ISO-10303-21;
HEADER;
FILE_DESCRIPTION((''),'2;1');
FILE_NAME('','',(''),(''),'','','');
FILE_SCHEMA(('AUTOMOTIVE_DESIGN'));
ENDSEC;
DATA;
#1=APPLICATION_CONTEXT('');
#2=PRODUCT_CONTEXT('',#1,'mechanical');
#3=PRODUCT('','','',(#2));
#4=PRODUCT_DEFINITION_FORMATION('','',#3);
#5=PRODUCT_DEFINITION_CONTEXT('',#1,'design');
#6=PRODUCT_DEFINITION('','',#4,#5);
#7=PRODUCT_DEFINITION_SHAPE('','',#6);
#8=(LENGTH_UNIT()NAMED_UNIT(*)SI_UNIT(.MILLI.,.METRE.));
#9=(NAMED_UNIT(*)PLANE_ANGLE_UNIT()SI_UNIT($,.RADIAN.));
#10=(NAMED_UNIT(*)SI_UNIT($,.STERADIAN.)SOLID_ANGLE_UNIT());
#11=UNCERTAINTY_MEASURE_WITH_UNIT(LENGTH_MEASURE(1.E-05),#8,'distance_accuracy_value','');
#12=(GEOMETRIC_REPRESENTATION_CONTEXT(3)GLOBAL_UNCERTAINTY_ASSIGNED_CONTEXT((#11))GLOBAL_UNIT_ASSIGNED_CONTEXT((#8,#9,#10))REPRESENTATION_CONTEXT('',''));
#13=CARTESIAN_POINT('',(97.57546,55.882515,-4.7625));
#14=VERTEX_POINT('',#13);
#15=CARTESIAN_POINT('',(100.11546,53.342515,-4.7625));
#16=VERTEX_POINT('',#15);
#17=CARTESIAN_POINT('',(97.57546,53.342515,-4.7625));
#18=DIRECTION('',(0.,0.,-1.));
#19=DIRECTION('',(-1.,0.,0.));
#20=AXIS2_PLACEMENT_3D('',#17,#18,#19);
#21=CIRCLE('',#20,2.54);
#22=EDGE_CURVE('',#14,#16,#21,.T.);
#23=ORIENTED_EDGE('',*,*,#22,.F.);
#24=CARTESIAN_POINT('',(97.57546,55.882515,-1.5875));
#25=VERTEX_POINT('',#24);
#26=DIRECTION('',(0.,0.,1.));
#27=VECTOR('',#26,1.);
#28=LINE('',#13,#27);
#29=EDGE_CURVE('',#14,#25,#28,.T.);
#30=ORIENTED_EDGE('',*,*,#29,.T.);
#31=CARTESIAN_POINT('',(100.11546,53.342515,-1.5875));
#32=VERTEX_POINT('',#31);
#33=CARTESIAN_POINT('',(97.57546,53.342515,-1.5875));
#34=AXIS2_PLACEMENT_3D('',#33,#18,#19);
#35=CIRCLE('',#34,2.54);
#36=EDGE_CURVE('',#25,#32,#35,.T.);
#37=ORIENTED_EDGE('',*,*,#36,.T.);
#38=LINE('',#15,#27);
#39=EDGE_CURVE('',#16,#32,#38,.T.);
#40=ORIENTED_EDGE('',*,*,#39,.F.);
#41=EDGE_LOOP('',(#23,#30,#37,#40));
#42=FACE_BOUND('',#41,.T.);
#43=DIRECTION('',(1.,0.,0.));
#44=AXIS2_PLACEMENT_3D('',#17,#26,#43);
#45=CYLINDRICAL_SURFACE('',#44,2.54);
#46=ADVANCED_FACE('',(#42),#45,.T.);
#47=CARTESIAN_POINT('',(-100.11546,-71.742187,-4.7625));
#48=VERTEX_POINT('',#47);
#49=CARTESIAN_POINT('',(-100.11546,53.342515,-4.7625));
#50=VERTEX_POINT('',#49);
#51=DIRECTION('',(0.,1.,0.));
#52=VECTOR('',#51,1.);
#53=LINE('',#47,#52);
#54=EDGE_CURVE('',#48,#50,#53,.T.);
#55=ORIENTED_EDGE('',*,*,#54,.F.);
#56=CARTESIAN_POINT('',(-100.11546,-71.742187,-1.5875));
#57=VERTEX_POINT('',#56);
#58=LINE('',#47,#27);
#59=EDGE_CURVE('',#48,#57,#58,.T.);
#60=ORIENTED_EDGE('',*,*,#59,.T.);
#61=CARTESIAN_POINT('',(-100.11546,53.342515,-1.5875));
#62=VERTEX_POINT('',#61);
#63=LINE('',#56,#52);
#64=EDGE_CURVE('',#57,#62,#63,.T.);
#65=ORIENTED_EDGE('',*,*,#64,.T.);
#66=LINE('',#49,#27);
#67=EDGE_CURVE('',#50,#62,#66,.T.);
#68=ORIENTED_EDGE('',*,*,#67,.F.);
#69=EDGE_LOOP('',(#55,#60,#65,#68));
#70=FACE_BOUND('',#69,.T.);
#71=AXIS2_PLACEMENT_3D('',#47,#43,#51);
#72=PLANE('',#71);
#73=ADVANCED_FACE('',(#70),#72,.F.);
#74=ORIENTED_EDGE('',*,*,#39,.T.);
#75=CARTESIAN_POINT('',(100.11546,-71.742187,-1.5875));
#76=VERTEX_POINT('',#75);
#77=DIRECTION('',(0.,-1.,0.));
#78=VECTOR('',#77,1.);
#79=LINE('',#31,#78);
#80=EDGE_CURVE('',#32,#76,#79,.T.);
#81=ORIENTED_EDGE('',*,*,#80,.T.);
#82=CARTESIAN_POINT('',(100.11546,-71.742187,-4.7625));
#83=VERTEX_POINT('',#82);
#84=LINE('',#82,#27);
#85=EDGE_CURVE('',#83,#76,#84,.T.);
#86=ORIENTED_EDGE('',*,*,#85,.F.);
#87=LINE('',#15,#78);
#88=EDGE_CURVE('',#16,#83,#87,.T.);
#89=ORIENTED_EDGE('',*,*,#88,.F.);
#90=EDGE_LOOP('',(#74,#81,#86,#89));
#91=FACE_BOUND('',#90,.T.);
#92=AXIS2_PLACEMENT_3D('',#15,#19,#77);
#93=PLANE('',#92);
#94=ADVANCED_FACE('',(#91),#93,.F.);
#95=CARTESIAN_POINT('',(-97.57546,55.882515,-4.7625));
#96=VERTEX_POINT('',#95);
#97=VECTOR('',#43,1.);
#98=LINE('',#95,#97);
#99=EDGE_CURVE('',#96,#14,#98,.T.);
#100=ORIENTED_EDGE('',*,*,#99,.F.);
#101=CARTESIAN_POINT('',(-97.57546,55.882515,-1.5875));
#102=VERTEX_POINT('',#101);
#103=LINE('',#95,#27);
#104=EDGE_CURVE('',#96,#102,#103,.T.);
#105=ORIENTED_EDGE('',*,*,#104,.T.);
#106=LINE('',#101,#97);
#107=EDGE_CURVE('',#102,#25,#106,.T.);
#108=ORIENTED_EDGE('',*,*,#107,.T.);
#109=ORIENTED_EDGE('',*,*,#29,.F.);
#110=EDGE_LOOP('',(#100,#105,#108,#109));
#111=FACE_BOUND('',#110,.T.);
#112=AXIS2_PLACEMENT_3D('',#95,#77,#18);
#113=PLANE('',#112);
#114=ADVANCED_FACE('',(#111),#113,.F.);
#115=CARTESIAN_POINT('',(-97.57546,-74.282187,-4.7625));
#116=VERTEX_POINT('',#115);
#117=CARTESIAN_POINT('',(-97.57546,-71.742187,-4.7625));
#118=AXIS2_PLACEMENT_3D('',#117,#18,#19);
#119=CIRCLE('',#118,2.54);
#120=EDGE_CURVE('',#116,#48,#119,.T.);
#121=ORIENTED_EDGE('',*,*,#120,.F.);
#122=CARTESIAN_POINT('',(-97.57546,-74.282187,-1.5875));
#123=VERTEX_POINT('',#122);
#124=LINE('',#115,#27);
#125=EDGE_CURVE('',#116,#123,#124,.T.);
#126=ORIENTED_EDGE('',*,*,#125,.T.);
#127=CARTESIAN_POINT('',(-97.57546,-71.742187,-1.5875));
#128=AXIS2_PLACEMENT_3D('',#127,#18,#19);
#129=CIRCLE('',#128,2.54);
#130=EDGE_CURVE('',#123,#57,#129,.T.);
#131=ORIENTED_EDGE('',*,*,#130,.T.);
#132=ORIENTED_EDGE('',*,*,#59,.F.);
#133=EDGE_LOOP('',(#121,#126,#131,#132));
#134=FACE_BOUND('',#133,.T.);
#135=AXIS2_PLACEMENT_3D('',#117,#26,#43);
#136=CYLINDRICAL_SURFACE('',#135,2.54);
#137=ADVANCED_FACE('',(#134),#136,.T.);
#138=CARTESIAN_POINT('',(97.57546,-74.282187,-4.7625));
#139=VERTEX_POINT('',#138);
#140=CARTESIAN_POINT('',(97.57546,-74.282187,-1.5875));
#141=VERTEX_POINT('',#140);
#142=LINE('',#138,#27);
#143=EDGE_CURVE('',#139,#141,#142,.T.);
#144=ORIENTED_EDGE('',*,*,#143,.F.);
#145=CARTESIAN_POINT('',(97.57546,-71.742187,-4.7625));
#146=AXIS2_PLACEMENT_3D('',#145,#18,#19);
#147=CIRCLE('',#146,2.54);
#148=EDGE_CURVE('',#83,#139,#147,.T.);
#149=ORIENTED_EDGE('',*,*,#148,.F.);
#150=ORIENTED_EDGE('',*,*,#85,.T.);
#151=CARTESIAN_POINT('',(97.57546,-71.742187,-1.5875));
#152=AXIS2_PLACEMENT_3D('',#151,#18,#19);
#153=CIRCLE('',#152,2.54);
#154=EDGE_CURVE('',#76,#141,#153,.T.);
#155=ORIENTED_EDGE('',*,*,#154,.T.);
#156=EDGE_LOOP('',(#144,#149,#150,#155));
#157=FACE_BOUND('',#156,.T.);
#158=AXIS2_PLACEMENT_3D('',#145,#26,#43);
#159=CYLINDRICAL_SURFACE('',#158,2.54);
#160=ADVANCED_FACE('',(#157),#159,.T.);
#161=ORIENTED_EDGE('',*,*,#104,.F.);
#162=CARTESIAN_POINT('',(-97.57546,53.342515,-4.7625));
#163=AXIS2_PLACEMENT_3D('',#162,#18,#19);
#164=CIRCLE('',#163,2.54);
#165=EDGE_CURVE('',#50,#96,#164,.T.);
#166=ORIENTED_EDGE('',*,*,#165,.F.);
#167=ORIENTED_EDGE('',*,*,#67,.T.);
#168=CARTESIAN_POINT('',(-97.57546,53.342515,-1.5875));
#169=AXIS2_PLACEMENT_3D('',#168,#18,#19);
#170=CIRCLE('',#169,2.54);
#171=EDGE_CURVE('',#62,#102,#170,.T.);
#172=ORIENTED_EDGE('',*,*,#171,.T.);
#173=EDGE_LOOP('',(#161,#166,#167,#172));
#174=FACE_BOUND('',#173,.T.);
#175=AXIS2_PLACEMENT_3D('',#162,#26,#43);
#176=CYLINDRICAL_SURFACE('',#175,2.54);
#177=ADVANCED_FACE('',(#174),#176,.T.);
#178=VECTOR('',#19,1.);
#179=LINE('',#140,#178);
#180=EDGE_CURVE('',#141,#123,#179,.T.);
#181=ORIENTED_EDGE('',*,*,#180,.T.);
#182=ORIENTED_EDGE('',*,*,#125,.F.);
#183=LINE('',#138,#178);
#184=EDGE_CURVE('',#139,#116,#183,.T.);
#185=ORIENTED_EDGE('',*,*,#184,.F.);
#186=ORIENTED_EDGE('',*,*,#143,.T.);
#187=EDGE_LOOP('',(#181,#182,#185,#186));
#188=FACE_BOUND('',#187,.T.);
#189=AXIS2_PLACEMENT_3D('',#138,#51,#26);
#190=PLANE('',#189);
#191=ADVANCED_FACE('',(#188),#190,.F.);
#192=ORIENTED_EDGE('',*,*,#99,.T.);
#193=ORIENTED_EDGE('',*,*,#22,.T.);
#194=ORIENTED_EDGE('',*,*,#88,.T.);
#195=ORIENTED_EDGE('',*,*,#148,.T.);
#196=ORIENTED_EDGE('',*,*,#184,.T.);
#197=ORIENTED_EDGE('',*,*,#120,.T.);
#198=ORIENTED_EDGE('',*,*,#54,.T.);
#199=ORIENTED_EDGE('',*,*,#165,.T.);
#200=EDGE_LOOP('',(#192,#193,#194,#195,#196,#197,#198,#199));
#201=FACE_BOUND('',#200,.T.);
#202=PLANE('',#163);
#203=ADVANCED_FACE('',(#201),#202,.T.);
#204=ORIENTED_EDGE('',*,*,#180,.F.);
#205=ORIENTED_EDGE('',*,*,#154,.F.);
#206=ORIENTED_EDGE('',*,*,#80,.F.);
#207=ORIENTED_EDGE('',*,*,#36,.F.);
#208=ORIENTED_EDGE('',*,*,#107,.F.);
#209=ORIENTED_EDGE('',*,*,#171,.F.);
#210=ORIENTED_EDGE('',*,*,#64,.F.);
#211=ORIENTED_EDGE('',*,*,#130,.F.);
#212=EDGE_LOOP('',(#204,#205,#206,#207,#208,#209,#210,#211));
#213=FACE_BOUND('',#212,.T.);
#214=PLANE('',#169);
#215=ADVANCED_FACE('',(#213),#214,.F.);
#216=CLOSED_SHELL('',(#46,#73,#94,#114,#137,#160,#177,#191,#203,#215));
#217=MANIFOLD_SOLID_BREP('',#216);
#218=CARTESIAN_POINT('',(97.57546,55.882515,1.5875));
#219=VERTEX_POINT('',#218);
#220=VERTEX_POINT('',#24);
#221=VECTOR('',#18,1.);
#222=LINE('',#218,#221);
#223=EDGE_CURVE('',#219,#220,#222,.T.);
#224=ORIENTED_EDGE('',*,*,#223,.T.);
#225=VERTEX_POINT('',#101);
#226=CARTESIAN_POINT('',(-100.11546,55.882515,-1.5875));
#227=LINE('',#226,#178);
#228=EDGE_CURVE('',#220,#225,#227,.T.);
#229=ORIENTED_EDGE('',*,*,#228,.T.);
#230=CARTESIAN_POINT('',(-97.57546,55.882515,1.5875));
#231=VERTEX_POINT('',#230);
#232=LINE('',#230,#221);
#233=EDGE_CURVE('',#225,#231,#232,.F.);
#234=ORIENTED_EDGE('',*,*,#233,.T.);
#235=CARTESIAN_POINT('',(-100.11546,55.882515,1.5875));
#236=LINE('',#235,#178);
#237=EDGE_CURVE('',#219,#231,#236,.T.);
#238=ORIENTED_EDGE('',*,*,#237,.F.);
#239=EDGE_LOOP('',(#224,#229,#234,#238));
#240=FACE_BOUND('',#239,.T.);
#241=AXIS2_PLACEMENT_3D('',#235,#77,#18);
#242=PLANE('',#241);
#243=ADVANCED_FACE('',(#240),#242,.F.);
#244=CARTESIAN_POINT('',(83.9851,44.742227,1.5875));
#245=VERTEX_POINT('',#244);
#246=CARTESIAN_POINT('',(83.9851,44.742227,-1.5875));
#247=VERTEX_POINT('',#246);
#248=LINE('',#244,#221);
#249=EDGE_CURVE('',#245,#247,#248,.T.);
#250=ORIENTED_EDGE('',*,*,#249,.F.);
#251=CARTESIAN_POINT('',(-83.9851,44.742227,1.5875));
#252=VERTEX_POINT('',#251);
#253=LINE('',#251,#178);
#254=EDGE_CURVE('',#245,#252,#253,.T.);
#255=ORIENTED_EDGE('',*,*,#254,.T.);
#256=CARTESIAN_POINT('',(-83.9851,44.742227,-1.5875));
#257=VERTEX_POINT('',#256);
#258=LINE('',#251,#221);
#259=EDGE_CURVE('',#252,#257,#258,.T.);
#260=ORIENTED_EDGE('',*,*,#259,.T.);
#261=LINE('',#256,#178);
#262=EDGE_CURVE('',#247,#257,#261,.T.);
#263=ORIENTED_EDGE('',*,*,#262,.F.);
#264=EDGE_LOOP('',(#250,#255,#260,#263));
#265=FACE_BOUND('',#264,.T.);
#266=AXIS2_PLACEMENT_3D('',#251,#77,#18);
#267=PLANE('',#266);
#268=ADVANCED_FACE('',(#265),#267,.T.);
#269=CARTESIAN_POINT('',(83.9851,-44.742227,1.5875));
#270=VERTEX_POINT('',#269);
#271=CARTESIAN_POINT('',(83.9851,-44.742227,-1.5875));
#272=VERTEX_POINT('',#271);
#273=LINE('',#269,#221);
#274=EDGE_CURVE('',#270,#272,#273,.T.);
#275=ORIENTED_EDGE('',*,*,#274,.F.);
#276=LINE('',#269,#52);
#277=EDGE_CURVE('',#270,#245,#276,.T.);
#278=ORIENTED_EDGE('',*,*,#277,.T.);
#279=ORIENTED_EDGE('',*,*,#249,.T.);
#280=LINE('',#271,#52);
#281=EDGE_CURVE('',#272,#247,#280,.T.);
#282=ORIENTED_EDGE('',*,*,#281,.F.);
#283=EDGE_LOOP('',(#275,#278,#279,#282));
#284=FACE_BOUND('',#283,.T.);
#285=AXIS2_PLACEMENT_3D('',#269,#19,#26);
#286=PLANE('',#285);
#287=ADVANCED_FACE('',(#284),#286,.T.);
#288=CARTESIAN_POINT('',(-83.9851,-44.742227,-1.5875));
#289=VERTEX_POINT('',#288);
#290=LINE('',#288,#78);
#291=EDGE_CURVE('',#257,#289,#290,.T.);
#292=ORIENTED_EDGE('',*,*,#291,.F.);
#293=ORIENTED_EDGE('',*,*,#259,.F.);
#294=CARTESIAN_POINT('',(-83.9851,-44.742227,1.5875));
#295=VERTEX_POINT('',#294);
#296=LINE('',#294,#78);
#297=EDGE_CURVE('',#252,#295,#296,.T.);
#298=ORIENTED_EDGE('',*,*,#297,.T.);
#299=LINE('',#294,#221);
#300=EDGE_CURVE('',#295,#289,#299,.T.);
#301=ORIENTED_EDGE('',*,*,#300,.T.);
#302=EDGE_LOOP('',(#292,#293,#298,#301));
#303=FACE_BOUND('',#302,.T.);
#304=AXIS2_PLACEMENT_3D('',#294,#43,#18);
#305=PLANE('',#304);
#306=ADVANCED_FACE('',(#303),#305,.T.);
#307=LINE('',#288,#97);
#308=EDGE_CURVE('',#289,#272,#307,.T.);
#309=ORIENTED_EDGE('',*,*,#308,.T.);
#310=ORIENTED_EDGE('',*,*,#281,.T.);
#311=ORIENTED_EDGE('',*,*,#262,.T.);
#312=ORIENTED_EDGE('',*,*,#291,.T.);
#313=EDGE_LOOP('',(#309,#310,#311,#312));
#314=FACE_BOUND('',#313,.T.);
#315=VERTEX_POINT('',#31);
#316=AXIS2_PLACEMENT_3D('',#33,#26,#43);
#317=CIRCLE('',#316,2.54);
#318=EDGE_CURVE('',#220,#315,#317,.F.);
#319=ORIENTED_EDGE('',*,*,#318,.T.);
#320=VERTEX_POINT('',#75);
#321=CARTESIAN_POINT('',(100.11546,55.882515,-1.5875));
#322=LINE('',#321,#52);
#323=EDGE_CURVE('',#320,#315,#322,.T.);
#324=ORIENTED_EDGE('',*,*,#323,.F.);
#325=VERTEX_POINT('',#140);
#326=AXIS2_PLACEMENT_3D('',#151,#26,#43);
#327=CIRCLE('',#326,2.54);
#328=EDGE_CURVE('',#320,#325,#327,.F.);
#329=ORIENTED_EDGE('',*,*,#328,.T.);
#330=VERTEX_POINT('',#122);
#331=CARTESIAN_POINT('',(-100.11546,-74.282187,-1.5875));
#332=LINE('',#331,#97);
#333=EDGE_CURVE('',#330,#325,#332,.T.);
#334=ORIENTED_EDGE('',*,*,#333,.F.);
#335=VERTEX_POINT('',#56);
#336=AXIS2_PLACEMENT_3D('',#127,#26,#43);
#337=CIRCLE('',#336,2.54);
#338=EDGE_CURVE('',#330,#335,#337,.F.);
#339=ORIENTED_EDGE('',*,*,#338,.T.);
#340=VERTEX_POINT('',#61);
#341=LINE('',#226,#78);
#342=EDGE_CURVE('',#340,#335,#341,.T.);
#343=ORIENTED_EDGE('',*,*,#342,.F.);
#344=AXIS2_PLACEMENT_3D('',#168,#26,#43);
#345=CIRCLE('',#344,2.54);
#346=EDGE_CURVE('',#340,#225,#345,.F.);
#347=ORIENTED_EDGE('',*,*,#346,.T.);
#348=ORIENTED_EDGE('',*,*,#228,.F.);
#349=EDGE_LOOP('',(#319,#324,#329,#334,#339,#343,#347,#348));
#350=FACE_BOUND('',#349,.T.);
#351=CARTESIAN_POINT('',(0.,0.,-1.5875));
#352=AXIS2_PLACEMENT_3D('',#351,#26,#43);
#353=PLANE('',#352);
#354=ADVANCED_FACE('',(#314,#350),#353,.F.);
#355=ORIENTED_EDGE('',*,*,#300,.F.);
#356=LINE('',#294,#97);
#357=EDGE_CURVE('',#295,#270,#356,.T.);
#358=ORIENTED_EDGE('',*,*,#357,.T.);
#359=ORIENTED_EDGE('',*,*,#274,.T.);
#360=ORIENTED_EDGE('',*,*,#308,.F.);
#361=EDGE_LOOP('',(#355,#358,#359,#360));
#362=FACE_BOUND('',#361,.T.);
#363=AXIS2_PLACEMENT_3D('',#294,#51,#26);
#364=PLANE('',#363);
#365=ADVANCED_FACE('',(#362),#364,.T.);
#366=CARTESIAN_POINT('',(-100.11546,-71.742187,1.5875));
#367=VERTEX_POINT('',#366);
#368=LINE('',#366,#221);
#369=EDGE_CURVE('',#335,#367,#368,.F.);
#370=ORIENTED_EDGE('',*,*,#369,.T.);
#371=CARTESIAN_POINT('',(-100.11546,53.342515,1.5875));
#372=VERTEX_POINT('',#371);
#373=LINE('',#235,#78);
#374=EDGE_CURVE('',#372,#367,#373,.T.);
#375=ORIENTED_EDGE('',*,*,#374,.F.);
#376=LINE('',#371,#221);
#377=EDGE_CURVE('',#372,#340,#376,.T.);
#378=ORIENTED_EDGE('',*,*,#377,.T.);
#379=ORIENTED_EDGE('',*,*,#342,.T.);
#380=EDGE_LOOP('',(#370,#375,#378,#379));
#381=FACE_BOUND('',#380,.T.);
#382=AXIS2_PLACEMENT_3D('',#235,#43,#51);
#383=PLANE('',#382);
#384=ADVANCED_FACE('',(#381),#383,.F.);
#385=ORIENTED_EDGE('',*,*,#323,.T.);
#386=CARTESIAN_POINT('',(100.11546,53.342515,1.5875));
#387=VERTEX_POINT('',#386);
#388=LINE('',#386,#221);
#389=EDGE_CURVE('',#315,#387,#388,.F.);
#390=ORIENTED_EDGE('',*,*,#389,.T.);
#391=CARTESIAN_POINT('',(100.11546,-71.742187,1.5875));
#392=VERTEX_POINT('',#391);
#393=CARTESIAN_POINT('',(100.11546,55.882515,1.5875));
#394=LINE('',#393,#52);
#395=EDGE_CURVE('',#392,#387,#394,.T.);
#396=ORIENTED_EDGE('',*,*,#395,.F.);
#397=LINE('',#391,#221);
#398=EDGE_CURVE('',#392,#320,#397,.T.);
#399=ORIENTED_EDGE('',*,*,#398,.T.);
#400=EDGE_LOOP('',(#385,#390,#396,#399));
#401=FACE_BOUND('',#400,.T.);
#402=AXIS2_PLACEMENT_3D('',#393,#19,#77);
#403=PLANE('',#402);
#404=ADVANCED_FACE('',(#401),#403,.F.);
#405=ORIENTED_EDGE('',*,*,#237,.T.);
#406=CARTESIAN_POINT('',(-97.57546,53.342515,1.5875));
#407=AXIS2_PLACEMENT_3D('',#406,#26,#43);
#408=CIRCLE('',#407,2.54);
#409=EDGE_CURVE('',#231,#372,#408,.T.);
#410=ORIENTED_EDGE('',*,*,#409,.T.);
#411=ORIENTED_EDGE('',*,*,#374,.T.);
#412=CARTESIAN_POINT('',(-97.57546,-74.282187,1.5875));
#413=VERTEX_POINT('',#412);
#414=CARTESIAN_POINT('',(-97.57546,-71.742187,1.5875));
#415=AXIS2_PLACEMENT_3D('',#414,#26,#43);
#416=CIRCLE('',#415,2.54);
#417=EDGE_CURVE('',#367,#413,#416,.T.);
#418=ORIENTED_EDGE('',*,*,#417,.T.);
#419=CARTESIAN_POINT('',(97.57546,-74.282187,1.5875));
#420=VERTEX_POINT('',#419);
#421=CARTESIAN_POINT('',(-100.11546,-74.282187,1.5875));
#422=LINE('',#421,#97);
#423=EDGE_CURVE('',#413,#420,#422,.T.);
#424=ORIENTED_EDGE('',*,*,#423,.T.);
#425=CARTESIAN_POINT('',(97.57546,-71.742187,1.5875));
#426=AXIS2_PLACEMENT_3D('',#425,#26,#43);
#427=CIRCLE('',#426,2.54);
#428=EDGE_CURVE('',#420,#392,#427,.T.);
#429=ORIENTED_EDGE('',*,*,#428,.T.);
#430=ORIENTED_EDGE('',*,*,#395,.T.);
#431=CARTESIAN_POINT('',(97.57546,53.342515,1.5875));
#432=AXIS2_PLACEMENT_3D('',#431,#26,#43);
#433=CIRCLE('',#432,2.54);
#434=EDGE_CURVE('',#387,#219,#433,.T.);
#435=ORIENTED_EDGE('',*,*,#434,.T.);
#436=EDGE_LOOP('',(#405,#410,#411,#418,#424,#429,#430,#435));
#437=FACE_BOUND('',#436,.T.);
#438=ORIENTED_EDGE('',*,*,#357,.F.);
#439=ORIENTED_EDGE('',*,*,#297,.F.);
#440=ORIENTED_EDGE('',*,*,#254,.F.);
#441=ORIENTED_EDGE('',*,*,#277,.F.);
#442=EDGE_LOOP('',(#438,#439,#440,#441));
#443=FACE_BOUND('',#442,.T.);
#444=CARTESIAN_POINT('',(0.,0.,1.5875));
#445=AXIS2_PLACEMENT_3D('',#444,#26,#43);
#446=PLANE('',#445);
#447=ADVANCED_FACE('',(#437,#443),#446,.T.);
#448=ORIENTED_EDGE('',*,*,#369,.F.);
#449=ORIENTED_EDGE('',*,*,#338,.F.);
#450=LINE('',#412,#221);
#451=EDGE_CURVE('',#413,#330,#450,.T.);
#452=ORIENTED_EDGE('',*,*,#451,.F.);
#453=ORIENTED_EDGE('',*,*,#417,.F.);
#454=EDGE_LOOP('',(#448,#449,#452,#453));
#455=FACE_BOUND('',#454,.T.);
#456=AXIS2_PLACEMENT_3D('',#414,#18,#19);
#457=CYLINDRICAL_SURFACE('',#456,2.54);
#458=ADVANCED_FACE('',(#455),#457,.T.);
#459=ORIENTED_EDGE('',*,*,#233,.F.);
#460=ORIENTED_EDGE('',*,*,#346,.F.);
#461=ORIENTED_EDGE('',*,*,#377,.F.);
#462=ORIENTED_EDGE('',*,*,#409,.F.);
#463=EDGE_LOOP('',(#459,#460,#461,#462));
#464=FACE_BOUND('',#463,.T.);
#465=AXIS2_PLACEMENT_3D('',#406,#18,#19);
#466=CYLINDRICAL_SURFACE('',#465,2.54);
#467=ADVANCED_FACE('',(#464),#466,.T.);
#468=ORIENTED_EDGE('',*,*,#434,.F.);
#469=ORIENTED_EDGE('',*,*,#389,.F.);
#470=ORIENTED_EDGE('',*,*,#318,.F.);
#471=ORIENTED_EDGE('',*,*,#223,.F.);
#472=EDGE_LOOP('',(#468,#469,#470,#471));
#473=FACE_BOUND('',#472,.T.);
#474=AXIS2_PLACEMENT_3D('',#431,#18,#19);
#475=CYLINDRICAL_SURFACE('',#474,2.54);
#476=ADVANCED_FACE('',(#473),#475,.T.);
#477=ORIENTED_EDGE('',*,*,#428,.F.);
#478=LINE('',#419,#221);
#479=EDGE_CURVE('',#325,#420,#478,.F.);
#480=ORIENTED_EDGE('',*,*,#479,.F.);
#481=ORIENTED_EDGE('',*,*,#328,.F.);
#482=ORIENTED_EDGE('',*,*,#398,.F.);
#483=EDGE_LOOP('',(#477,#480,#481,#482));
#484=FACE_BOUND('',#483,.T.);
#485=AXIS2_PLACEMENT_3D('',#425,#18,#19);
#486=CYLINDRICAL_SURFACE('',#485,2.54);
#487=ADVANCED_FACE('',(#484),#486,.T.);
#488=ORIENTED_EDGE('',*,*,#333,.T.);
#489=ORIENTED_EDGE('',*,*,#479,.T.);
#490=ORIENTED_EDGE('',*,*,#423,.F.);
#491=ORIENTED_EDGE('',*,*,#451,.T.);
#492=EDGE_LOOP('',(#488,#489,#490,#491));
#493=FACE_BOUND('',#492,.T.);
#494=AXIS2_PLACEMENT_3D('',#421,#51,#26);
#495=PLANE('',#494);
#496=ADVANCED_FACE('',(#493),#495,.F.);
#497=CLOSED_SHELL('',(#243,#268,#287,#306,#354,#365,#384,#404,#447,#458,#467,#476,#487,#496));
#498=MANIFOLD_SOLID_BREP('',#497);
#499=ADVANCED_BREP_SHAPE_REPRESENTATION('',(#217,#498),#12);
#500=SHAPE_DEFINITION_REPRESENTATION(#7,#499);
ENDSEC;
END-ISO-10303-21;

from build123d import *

# Parameters (mm, degrees)
SKETCH1_W           = 200.230919124
SKETCH1_H           = 130.164702166
SKETCH1_W_2         = 167.9702
SKETCH1_H_2         = 89.484454
BOSS_EXTRUDE1_DEPTH = 1.5875
FILLET1_R           = 2.54
BOSS_EXTRUDE2_DEPTH = 3.175


with BuildPart() as part:
    # Sketch1 → Boss-Extrude1 (new, symmetric)
    with BuildSketch(Plane.XY):
        with Locations((0, -9.199836276)):
            Rectangle(SKETCH1_W, SKETCH1_H)
        Rectangle(SKETCH1_W_2, SKETCH1_H_2, mode=Mode.SUBTRACT)
    extrude(amount=BOSS_EXTRUDE1_DEPTH, both=True)

    # Fillet1
    fillet1_edges = [part.edges().sort_by_distance(p)[0] for p in [
        (-100.115459562, 55.882514807, 0),
        (100.115459562, 55.882514807, 0),
        (100.115459562, -74.282187359, 0),
        (-100.115459562, -74.282187359, 0),
    ]]
    fillet(fillet1_edges, radius=FILLET1_R)


with BuildPart() as body_2:
    # Sketch2 → Boss-Extrude2 (new body)
    with BuildSketch(Plane(origin=(0, 0, -1.5875), x_dir=(-1, 0, 0), z_dir=(0, 0, -1))):
        with BuildLine():
            Line((100.115459562, -71.742187359), (100.115459562, 53.342514807))
            ThreePointArc((100.115459562, 53.342514807), (99.371510786, 55.138566032), (97.575459562, 55.882514807))
            Line((97.575459562, 55.882514807), (-97.575459562, 55.882514807))
            ThreePointArc((-97.575459562, 55.882514807), (-99.371510786, 55.138566032), (-100.115459562, 53.342514807))
            Line((-100.115459562, 53.342514807), (-100.115459562, -71.742187359))
            ThreePointArc((-100.115459562, -71.742187359), (-99.371510786, -73.538238583), (-97.575459562, -74.282187359))
            Line((-97.575459562, -74.282187359), (97.575459562, -74.282187359))
            ThreePointArc((97.575459562, -74.282187359), (99.371510786, -73.538238583), (100.115459562, -71.742187359))
        make_face()
    extrude(amount=BOSS_EXTRUDE2_DEPTH)


solid = Compound([part.part, body_2.part])
